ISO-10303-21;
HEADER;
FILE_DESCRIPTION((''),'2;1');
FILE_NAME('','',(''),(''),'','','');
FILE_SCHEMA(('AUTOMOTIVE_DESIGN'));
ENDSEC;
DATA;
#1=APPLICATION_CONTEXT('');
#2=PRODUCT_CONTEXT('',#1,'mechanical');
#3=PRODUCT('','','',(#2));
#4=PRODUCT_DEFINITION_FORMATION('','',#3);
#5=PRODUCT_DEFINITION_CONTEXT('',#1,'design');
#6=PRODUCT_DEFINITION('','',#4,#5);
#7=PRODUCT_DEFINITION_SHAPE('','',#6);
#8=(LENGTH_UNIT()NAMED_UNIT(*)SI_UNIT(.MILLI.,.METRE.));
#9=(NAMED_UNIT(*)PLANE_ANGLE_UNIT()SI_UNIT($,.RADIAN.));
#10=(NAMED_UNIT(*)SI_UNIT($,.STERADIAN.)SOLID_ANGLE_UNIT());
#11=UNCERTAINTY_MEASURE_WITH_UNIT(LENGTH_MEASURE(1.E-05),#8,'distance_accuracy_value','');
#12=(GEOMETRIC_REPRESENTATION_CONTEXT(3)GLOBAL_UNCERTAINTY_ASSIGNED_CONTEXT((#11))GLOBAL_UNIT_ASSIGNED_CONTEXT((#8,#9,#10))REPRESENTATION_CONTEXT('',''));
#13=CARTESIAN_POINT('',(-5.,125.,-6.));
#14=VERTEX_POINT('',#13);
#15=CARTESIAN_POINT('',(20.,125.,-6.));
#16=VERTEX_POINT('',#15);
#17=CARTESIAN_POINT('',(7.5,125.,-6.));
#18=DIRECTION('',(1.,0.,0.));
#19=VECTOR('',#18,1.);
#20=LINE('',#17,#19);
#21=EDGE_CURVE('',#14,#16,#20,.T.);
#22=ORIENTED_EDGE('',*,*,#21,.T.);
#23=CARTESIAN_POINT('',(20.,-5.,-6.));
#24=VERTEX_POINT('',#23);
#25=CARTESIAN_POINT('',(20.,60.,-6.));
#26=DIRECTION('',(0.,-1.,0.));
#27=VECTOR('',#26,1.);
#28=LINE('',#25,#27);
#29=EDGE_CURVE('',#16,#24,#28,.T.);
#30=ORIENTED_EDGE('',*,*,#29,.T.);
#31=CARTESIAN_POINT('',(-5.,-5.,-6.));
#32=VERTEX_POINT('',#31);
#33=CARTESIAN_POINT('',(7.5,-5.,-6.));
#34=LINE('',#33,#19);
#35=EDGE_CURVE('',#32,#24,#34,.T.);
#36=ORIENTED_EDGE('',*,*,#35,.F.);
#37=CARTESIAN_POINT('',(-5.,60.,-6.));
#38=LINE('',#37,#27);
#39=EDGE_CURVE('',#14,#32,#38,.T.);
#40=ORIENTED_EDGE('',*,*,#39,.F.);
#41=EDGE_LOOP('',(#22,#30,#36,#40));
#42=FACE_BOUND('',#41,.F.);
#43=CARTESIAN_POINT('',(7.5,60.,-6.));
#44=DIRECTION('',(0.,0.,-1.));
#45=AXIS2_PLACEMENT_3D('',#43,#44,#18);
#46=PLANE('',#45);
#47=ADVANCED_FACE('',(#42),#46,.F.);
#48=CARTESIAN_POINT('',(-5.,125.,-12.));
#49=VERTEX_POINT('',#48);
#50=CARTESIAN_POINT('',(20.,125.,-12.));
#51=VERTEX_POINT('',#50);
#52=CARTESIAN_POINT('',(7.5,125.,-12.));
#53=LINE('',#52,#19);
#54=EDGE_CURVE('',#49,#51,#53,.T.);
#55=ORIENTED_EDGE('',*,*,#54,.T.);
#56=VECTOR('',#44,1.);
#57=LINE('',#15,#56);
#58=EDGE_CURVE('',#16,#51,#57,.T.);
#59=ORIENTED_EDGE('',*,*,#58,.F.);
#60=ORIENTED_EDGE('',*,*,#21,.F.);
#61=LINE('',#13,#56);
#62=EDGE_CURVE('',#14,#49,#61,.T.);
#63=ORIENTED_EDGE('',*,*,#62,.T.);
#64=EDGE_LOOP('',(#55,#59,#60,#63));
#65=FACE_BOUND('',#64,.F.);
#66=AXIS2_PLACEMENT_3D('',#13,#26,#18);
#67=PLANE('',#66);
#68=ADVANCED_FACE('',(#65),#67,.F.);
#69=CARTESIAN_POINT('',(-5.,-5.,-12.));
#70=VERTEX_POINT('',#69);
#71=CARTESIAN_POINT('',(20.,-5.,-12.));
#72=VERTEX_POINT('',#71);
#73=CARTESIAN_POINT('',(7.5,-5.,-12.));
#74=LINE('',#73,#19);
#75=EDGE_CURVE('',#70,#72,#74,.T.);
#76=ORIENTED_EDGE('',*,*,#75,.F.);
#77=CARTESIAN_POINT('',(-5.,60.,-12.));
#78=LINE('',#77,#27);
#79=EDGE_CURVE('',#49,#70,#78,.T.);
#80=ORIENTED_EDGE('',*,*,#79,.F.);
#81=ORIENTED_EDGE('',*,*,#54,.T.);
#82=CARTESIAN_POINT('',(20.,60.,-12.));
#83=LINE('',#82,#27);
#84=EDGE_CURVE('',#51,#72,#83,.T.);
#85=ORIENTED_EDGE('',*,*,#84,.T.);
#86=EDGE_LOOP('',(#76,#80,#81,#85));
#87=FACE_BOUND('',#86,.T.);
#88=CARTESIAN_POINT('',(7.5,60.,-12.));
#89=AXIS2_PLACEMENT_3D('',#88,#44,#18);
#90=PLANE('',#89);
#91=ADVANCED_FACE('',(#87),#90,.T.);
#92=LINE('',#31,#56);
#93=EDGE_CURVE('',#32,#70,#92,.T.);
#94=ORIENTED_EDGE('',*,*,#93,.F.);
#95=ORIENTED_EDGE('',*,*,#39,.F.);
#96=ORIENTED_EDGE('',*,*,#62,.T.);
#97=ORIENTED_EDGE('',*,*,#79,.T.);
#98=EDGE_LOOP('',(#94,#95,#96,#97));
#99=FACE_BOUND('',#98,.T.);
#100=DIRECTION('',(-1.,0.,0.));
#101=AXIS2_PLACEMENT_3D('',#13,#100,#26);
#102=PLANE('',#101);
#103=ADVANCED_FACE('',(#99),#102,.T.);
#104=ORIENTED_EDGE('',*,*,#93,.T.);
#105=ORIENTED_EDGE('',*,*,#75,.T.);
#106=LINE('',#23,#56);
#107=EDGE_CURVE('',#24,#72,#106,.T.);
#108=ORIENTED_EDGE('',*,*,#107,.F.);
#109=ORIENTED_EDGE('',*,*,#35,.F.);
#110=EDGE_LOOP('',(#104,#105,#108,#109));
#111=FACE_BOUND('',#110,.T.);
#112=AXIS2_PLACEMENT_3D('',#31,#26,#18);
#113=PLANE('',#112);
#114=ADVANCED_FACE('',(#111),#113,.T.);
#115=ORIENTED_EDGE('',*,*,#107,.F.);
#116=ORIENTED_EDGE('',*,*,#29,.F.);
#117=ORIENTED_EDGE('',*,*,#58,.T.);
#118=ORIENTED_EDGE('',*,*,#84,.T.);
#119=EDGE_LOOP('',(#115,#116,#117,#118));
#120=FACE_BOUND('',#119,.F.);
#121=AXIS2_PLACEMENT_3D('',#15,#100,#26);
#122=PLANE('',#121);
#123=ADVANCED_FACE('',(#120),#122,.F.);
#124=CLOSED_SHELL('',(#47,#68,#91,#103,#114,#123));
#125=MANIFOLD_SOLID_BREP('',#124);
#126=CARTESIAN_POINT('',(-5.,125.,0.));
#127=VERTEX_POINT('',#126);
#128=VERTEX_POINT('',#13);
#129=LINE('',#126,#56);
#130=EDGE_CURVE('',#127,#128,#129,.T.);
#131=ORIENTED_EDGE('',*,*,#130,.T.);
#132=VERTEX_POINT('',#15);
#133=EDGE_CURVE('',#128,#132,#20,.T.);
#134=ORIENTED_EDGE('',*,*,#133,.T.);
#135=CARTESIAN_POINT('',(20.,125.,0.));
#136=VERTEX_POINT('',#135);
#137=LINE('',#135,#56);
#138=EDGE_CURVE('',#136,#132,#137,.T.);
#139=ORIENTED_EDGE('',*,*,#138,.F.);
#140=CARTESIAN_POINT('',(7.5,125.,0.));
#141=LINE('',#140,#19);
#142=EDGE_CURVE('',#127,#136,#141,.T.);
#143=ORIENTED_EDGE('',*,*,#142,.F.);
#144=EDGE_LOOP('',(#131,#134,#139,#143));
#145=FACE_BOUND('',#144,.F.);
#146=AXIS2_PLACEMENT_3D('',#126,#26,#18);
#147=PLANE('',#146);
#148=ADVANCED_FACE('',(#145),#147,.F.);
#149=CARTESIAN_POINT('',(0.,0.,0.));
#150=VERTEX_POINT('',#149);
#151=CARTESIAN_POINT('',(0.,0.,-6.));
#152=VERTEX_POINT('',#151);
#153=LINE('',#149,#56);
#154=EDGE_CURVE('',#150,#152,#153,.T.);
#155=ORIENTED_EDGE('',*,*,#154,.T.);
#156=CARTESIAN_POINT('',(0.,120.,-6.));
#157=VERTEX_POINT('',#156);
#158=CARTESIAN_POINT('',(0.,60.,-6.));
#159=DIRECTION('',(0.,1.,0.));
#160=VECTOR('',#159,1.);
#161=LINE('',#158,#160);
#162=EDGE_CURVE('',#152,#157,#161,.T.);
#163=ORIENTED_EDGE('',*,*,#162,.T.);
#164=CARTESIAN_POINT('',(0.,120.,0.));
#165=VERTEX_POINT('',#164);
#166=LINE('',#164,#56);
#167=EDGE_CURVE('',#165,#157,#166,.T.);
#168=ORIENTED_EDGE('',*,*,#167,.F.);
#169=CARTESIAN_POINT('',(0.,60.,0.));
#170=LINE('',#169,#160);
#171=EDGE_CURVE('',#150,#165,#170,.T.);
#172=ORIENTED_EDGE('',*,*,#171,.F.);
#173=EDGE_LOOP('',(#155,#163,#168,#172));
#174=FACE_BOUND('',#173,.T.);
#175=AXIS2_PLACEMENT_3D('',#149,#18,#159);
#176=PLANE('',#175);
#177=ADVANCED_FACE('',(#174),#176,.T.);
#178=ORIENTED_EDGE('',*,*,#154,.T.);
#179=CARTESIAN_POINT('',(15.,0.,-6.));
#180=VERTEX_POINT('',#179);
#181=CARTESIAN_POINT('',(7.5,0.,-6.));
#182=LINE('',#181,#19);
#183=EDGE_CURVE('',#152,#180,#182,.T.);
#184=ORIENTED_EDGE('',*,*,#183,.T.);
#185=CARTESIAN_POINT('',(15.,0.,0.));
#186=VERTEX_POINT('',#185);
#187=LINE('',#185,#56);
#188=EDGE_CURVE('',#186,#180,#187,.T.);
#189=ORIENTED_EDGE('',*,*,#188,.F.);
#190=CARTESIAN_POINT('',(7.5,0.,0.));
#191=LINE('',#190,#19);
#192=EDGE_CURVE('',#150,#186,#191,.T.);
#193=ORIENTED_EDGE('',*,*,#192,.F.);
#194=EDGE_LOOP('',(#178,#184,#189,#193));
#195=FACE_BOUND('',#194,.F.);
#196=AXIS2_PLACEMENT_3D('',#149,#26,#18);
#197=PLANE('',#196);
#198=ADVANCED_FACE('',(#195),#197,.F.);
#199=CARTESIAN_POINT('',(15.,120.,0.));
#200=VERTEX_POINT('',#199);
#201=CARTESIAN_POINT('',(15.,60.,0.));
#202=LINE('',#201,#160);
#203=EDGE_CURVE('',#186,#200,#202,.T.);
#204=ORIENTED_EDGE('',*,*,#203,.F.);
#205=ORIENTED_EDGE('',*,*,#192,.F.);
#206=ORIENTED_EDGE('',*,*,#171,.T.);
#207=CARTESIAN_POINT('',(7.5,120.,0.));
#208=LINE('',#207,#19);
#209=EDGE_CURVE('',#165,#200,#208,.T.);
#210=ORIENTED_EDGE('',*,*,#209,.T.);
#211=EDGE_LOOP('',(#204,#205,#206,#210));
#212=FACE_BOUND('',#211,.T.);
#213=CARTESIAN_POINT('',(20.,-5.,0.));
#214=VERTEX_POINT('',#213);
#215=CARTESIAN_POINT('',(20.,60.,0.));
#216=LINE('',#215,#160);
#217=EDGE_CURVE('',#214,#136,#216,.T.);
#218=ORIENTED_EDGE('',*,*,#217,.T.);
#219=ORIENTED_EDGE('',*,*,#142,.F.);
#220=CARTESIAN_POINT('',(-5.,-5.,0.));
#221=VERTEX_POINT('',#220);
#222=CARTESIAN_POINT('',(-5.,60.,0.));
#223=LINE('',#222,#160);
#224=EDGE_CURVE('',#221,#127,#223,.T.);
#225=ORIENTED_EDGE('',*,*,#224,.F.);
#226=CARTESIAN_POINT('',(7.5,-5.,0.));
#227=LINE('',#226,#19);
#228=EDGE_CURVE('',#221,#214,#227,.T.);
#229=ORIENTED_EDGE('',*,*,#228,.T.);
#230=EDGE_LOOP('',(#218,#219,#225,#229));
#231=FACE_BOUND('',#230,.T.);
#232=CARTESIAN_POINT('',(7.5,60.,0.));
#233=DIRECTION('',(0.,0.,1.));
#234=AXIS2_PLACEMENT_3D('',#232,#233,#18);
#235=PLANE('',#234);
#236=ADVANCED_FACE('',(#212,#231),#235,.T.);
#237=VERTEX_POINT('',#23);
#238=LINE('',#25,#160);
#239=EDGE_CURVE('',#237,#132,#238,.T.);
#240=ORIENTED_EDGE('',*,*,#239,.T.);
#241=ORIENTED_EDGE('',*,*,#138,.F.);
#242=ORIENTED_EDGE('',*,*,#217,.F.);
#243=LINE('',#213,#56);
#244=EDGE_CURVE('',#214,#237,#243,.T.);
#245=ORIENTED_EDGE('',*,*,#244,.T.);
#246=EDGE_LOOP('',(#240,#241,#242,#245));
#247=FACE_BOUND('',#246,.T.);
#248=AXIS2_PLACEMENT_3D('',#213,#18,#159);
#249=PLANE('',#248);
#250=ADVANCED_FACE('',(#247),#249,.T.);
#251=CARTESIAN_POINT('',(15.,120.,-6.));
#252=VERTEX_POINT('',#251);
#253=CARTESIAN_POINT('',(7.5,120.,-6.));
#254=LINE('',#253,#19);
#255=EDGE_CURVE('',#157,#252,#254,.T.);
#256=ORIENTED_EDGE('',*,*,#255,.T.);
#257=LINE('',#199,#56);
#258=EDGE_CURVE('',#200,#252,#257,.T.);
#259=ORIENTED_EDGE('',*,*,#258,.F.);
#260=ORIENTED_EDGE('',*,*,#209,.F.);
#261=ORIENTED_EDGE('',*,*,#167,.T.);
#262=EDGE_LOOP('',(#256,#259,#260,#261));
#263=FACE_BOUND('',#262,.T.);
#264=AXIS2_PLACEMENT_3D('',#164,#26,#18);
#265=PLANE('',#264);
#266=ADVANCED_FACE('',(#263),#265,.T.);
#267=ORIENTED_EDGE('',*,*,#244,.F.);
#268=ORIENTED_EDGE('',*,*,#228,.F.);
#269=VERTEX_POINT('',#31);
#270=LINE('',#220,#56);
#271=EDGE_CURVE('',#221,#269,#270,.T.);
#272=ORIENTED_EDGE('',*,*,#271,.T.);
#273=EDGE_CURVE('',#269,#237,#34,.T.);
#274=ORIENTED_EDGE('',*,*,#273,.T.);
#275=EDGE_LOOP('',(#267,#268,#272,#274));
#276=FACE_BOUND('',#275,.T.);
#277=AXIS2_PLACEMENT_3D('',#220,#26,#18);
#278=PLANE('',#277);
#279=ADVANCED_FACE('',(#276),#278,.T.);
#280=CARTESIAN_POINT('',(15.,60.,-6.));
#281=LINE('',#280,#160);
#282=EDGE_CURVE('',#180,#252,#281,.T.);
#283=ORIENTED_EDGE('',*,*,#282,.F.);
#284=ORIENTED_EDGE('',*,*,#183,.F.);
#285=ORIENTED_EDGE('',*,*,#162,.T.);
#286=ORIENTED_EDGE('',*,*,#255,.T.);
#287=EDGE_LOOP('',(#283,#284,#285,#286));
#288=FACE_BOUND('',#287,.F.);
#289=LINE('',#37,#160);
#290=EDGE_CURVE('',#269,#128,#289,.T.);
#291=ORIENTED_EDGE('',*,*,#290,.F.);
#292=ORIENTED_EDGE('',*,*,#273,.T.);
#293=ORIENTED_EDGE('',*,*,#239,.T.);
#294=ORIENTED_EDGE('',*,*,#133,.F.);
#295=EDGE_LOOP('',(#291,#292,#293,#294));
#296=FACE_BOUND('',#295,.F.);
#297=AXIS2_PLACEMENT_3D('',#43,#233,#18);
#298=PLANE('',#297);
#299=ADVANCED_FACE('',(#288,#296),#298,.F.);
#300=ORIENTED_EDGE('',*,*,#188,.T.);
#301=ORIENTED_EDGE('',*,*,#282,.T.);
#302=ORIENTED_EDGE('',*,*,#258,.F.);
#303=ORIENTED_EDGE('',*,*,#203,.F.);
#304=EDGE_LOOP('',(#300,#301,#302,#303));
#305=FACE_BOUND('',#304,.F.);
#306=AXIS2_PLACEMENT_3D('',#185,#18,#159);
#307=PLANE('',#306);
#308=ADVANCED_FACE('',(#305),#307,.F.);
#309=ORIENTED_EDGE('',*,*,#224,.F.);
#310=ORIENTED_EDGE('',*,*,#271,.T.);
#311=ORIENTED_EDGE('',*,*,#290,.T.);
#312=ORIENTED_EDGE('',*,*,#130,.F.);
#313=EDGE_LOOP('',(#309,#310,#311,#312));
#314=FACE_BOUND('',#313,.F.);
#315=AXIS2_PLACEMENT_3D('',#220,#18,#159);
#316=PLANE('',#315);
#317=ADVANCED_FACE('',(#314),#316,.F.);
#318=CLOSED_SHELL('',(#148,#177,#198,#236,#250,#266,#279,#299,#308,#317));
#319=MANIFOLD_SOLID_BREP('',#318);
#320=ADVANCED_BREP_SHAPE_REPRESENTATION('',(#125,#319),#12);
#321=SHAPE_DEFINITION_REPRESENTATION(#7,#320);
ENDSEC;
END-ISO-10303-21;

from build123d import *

# Parameters (mm, degrees)
F0_W     = 25
F0_H     = 130
F0_W_2   = 15
F0_H_2   = 120
F1_DEPTH = 6
F2_W     = 25
F2_H     = 130
F3_DEPTH = 6


with BuildPart() as f1:
    # F0 (on Top) → F1 (new body)
    with BuildSketch(Plane.XY):
        with Locations((7.5, 60)):
            Rectangle(F0_W, F0_H)
        with Locations((7.5, 60)):
            Rectangle(F0_W_2, F0_H_2, mode=Mode.SUBTRACT)
    extrude(amount=-F1_DEPTH)


with BuildPart() as f3:
    # F2 (on face) → F3 (new body)
    with BuildSketch(Plane(origin=(0, 0, -6), x_dir=(1, 0, 0), z_dir=(0, 0, -1))):
        with Locations((7.5, -60)):
            Rectangle(F2_W, F2_H)
    extrude(amount=F3_DEPTH)


solid = Compound([f1.part, f3.part])
